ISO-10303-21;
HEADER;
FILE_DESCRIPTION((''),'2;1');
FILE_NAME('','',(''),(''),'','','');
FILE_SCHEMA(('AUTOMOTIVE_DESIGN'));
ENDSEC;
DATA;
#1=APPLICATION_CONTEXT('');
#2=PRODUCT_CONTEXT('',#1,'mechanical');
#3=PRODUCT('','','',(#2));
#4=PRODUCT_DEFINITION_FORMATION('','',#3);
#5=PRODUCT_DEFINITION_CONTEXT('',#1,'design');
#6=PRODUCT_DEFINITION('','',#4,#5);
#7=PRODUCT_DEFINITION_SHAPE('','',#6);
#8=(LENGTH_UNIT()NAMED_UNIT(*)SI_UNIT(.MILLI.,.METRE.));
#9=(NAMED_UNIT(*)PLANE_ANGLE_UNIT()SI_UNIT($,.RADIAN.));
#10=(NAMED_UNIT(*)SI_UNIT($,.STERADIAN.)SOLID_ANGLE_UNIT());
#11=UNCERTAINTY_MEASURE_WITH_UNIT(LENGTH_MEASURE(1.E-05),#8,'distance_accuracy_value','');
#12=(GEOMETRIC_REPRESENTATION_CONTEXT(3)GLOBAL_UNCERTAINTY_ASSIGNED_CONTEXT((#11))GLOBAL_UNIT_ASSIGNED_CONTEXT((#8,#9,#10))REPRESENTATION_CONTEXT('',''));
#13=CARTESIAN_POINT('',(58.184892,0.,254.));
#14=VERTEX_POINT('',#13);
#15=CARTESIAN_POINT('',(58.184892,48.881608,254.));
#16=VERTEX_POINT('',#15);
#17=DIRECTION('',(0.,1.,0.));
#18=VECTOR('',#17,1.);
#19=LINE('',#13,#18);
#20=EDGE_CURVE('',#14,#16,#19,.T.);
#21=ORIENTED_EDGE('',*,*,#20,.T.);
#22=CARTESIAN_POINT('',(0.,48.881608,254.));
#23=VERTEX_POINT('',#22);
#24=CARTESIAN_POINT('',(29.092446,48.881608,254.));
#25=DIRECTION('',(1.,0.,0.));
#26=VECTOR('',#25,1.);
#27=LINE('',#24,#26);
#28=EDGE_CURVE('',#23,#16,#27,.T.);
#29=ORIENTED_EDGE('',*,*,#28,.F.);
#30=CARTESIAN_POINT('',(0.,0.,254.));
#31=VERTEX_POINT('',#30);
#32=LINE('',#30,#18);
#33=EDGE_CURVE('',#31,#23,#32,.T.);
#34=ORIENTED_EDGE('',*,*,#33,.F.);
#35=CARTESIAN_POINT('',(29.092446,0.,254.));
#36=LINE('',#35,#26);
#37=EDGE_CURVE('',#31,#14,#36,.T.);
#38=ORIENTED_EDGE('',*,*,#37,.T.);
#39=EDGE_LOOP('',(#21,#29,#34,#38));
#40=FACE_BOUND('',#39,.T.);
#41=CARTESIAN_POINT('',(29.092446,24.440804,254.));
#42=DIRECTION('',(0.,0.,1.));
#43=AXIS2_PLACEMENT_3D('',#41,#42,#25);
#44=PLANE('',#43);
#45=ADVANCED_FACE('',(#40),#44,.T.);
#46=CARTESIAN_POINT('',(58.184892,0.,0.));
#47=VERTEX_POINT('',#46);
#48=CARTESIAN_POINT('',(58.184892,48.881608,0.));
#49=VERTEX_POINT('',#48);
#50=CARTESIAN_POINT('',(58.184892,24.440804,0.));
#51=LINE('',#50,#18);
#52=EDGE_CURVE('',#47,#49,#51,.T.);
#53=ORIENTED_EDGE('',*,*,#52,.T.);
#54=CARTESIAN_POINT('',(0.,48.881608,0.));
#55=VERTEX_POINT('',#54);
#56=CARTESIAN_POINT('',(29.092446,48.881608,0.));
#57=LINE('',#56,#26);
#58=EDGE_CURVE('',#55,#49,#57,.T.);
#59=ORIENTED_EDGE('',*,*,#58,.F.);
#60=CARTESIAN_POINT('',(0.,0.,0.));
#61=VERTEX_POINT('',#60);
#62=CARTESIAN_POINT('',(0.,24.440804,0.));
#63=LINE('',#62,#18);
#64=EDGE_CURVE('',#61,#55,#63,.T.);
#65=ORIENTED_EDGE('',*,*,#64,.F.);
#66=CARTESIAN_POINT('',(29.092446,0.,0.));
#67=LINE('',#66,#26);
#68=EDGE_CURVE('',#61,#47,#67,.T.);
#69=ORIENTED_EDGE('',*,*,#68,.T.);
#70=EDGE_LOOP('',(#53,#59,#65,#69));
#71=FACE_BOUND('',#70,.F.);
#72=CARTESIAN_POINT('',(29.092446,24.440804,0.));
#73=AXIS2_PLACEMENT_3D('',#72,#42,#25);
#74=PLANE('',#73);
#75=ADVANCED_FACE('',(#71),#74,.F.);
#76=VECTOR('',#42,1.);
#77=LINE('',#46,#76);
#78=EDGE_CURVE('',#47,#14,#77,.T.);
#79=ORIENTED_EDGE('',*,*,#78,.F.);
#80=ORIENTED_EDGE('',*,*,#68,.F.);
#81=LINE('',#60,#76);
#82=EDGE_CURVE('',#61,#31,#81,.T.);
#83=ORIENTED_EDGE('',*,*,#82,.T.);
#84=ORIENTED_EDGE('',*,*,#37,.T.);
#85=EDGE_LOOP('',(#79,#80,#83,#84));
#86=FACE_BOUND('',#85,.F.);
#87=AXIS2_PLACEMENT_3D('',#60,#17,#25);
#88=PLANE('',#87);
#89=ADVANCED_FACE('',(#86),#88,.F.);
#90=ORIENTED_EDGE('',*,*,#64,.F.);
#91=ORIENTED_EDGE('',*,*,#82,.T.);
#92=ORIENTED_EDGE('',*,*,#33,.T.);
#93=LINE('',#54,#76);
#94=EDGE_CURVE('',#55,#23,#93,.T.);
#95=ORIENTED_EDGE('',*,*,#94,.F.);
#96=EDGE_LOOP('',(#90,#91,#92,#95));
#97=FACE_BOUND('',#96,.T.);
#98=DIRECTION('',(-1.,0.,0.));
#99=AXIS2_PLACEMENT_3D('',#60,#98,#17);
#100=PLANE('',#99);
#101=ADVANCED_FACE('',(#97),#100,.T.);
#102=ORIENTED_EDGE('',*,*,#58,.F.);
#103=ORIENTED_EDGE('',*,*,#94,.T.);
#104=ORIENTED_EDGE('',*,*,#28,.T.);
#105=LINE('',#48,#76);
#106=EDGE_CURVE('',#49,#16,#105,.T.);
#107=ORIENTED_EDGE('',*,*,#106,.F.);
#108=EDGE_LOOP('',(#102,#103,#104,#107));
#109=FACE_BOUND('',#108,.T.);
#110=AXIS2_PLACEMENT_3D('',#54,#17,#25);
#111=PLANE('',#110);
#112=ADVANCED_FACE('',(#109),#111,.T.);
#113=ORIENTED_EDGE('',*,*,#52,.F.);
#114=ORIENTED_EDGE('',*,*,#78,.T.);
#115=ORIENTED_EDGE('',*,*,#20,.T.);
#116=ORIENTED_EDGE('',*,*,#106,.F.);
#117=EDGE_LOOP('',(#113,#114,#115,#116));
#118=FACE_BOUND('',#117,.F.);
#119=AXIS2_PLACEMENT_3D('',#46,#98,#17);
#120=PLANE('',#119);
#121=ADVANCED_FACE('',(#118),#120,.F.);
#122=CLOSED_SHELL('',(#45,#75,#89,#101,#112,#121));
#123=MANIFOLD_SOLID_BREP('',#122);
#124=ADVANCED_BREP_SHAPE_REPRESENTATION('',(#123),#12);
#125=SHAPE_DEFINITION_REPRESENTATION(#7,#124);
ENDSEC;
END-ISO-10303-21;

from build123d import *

# Parameters (mm, degrees)
F0_W      = 58.184892
F0_H      = 48.881609
F1_DEPTH  = 254
F1_FACE_W = 58.184892
F1_FACE_H = 48.881608
F2_DEPTH  = 127


with BuildPart() as f1:
    # F0 (on Top) → F1 (new body)
    with BuildSketch(Plane.XY):
        with Locations((29.092446, 24.440804)):
            Rectangle(F0_W, F0_H)
    extrude(amount=F1_DEPTH)

    # F1_face (on face) → F2 (join)
    with BuildSketch(Plane(origin=(29.092446, 24.440804, 254), x_dir=(1, 0, 0), z_dir=(0, 0, 1))):
        Rectangle(F1_FACE_W, F1_FACE_H)
    extrude(amount=-F2_DEPTH)


solid = f1.part
